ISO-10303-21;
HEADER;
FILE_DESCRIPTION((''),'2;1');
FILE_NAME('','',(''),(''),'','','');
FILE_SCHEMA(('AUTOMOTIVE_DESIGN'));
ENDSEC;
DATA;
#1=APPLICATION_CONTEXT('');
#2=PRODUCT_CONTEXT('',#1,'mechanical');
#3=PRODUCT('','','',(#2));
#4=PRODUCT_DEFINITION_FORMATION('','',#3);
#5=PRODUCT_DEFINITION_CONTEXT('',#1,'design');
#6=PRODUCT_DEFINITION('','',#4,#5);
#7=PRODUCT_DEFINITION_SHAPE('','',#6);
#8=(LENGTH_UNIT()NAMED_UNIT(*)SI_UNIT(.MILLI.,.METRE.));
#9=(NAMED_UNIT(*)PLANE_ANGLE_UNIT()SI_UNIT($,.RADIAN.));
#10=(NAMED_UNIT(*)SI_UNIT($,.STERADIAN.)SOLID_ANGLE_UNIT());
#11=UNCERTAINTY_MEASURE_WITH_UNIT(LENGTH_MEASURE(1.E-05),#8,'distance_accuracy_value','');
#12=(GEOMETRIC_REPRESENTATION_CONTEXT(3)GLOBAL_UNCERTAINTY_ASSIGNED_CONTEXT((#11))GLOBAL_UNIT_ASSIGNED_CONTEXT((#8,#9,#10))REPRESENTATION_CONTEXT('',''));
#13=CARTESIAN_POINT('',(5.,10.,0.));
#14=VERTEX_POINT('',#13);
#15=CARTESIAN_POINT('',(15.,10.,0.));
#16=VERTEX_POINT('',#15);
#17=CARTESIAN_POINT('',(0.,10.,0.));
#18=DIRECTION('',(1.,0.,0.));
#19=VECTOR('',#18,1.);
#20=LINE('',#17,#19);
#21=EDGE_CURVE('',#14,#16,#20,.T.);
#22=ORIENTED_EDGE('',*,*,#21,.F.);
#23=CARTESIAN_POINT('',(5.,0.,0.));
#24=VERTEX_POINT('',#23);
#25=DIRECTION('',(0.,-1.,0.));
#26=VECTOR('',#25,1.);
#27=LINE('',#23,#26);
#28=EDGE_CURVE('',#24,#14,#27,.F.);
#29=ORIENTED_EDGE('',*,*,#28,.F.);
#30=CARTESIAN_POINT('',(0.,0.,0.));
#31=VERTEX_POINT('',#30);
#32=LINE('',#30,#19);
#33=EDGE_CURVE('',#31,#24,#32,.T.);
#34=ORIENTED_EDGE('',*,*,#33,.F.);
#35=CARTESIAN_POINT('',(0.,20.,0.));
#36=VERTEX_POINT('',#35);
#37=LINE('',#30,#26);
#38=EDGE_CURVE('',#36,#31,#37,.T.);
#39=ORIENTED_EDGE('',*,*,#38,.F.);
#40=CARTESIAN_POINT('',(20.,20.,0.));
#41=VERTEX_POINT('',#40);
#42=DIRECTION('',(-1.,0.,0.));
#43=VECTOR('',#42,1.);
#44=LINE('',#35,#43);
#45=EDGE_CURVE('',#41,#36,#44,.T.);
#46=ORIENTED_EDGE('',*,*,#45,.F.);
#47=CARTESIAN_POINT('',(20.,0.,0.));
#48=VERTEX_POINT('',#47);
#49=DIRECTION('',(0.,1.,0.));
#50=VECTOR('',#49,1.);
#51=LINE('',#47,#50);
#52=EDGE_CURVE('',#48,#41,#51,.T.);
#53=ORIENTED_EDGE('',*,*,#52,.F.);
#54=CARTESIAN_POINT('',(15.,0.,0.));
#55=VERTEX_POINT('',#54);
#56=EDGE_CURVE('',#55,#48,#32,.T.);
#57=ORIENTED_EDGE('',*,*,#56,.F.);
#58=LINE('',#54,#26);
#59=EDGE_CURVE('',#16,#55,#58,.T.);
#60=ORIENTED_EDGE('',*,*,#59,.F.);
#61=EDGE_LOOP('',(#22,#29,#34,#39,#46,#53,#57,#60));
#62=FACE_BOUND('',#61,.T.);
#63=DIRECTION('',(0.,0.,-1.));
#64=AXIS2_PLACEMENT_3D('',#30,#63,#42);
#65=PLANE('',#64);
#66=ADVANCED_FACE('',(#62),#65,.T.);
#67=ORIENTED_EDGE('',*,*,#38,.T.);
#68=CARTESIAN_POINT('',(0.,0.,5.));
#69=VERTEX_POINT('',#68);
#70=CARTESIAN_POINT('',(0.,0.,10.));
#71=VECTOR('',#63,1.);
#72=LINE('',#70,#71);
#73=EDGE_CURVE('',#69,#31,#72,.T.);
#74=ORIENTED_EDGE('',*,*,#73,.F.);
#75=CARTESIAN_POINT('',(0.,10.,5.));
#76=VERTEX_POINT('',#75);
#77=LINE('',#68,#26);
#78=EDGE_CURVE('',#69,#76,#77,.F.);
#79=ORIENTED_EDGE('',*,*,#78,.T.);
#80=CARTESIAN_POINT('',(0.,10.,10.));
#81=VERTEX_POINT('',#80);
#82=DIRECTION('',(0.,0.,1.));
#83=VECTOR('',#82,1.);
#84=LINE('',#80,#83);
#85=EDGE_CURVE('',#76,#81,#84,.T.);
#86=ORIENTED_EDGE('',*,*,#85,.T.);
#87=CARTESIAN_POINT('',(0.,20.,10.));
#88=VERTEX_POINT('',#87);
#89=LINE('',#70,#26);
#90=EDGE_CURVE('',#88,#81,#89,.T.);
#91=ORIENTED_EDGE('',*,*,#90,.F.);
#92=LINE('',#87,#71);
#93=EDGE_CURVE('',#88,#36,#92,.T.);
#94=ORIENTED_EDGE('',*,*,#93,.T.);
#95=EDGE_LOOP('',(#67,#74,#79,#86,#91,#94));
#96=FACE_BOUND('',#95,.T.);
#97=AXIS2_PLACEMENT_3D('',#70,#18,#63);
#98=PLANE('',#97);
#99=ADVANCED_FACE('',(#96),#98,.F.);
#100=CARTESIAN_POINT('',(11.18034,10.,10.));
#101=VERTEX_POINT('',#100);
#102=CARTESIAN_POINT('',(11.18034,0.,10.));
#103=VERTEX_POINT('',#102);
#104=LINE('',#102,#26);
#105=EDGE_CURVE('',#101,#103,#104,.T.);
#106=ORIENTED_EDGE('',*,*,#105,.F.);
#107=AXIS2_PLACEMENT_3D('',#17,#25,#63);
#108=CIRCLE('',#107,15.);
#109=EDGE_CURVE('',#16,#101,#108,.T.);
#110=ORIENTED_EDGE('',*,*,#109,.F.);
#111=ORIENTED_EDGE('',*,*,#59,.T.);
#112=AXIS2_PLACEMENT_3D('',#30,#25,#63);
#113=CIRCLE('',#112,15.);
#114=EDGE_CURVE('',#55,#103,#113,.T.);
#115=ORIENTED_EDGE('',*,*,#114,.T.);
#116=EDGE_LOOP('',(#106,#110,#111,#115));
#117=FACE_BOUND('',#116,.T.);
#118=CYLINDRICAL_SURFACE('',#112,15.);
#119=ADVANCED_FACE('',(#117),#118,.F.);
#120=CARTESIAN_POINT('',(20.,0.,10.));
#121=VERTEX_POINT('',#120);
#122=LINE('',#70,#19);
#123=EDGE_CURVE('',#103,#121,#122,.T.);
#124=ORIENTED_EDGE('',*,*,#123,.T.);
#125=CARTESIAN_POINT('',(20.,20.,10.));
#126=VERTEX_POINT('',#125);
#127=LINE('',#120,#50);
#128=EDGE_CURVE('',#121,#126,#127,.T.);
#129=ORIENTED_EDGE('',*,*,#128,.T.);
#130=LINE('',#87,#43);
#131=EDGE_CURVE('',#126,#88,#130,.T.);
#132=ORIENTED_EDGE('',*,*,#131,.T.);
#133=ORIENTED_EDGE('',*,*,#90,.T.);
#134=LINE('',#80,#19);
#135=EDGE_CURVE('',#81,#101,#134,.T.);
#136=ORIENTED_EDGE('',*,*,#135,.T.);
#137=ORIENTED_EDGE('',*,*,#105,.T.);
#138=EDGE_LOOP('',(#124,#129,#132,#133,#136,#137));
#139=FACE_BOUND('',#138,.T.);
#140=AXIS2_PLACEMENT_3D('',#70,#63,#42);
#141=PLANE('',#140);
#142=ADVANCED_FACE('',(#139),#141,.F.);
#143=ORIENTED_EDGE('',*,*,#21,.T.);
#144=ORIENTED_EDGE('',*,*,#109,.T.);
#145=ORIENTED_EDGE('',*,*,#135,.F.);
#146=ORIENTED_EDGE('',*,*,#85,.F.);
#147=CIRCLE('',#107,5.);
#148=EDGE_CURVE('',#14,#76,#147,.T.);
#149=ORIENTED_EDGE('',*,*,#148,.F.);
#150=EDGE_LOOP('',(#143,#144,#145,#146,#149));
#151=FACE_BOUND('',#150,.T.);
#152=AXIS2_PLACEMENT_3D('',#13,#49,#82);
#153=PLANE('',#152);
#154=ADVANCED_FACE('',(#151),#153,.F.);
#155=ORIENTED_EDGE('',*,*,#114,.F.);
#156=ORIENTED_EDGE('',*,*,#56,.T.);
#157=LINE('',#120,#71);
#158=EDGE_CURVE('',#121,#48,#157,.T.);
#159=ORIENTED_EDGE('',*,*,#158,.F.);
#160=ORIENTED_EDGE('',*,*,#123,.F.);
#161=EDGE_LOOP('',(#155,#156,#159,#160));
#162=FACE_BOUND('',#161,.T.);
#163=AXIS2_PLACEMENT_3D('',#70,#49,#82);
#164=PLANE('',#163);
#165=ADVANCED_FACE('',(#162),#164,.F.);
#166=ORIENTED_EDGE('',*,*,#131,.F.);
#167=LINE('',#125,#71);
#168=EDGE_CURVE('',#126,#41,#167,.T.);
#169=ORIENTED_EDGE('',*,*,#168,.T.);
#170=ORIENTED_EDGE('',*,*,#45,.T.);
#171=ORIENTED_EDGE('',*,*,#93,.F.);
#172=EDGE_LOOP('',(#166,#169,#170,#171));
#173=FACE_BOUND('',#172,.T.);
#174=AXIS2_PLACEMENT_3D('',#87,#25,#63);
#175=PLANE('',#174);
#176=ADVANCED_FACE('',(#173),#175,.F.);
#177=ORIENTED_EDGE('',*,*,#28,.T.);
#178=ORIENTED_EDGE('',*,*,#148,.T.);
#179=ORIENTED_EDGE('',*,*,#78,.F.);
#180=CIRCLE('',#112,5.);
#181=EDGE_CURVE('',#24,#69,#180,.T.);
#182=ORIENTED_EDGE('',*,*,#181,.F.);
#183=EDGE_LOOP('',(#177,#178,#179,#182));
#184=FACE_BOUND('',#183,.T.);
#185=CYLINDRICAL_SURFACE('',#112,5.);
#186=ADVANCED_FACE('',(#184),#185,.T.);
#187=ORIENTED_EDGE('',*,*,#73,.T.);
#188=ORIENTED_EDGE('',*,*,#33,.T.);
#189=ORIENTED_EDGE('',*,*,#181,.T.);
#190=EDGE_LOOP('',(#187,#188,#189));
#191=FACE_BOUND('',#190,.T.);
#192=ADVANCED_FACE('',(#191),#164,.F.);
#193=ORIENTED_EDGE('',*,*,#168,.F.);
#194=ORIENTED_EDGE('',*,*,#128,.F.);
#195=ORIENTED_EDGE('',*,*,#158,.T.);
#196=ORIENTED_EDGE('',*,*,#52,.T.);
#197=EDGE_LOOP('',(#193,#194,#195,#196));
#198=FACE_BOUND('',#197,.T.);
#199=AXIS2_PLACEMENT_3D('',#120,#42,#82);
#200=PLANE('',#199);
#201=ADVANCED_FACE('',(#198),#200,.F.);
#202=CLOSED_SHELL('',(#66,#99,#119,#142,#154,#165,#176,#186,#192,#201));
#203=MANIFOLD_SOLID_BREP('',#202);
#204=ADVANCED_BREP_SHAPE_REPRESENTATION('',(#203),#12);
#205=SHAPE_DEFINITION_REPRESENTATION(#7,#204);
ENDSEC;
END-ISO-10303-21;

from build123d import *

# Parameters (mm, degrees)
SKETCH_1_W    = 20
SKETCH_1_H    = 20
BASEBOX_DEPTH = 10
SKETCH_2_W    = 10
SKETCH_2_H    = 10


with BuildPart() as part:
    # 草图1 → BaseBox (new body)
    with BuildSketch(Plane.XY):
        with Locations((10, 10)):
            Rectangle(SKETCH_1_W, SKETCH_1_H)
    extrude(amount=BASEBOX_DEPTH)

    # 草图2 → RevolveCut360 (revolve, cut)
    with BuildSketch(Plane.XY):
        with Locations((10, 5)):
            Rectangle(SKETCH_2_W, SKETCH_2_H)
    revolve(axis=Axis((0, 0, 0), (0, 1, 0)), mode=Mode.SUBTRACT)


solid = part.part
